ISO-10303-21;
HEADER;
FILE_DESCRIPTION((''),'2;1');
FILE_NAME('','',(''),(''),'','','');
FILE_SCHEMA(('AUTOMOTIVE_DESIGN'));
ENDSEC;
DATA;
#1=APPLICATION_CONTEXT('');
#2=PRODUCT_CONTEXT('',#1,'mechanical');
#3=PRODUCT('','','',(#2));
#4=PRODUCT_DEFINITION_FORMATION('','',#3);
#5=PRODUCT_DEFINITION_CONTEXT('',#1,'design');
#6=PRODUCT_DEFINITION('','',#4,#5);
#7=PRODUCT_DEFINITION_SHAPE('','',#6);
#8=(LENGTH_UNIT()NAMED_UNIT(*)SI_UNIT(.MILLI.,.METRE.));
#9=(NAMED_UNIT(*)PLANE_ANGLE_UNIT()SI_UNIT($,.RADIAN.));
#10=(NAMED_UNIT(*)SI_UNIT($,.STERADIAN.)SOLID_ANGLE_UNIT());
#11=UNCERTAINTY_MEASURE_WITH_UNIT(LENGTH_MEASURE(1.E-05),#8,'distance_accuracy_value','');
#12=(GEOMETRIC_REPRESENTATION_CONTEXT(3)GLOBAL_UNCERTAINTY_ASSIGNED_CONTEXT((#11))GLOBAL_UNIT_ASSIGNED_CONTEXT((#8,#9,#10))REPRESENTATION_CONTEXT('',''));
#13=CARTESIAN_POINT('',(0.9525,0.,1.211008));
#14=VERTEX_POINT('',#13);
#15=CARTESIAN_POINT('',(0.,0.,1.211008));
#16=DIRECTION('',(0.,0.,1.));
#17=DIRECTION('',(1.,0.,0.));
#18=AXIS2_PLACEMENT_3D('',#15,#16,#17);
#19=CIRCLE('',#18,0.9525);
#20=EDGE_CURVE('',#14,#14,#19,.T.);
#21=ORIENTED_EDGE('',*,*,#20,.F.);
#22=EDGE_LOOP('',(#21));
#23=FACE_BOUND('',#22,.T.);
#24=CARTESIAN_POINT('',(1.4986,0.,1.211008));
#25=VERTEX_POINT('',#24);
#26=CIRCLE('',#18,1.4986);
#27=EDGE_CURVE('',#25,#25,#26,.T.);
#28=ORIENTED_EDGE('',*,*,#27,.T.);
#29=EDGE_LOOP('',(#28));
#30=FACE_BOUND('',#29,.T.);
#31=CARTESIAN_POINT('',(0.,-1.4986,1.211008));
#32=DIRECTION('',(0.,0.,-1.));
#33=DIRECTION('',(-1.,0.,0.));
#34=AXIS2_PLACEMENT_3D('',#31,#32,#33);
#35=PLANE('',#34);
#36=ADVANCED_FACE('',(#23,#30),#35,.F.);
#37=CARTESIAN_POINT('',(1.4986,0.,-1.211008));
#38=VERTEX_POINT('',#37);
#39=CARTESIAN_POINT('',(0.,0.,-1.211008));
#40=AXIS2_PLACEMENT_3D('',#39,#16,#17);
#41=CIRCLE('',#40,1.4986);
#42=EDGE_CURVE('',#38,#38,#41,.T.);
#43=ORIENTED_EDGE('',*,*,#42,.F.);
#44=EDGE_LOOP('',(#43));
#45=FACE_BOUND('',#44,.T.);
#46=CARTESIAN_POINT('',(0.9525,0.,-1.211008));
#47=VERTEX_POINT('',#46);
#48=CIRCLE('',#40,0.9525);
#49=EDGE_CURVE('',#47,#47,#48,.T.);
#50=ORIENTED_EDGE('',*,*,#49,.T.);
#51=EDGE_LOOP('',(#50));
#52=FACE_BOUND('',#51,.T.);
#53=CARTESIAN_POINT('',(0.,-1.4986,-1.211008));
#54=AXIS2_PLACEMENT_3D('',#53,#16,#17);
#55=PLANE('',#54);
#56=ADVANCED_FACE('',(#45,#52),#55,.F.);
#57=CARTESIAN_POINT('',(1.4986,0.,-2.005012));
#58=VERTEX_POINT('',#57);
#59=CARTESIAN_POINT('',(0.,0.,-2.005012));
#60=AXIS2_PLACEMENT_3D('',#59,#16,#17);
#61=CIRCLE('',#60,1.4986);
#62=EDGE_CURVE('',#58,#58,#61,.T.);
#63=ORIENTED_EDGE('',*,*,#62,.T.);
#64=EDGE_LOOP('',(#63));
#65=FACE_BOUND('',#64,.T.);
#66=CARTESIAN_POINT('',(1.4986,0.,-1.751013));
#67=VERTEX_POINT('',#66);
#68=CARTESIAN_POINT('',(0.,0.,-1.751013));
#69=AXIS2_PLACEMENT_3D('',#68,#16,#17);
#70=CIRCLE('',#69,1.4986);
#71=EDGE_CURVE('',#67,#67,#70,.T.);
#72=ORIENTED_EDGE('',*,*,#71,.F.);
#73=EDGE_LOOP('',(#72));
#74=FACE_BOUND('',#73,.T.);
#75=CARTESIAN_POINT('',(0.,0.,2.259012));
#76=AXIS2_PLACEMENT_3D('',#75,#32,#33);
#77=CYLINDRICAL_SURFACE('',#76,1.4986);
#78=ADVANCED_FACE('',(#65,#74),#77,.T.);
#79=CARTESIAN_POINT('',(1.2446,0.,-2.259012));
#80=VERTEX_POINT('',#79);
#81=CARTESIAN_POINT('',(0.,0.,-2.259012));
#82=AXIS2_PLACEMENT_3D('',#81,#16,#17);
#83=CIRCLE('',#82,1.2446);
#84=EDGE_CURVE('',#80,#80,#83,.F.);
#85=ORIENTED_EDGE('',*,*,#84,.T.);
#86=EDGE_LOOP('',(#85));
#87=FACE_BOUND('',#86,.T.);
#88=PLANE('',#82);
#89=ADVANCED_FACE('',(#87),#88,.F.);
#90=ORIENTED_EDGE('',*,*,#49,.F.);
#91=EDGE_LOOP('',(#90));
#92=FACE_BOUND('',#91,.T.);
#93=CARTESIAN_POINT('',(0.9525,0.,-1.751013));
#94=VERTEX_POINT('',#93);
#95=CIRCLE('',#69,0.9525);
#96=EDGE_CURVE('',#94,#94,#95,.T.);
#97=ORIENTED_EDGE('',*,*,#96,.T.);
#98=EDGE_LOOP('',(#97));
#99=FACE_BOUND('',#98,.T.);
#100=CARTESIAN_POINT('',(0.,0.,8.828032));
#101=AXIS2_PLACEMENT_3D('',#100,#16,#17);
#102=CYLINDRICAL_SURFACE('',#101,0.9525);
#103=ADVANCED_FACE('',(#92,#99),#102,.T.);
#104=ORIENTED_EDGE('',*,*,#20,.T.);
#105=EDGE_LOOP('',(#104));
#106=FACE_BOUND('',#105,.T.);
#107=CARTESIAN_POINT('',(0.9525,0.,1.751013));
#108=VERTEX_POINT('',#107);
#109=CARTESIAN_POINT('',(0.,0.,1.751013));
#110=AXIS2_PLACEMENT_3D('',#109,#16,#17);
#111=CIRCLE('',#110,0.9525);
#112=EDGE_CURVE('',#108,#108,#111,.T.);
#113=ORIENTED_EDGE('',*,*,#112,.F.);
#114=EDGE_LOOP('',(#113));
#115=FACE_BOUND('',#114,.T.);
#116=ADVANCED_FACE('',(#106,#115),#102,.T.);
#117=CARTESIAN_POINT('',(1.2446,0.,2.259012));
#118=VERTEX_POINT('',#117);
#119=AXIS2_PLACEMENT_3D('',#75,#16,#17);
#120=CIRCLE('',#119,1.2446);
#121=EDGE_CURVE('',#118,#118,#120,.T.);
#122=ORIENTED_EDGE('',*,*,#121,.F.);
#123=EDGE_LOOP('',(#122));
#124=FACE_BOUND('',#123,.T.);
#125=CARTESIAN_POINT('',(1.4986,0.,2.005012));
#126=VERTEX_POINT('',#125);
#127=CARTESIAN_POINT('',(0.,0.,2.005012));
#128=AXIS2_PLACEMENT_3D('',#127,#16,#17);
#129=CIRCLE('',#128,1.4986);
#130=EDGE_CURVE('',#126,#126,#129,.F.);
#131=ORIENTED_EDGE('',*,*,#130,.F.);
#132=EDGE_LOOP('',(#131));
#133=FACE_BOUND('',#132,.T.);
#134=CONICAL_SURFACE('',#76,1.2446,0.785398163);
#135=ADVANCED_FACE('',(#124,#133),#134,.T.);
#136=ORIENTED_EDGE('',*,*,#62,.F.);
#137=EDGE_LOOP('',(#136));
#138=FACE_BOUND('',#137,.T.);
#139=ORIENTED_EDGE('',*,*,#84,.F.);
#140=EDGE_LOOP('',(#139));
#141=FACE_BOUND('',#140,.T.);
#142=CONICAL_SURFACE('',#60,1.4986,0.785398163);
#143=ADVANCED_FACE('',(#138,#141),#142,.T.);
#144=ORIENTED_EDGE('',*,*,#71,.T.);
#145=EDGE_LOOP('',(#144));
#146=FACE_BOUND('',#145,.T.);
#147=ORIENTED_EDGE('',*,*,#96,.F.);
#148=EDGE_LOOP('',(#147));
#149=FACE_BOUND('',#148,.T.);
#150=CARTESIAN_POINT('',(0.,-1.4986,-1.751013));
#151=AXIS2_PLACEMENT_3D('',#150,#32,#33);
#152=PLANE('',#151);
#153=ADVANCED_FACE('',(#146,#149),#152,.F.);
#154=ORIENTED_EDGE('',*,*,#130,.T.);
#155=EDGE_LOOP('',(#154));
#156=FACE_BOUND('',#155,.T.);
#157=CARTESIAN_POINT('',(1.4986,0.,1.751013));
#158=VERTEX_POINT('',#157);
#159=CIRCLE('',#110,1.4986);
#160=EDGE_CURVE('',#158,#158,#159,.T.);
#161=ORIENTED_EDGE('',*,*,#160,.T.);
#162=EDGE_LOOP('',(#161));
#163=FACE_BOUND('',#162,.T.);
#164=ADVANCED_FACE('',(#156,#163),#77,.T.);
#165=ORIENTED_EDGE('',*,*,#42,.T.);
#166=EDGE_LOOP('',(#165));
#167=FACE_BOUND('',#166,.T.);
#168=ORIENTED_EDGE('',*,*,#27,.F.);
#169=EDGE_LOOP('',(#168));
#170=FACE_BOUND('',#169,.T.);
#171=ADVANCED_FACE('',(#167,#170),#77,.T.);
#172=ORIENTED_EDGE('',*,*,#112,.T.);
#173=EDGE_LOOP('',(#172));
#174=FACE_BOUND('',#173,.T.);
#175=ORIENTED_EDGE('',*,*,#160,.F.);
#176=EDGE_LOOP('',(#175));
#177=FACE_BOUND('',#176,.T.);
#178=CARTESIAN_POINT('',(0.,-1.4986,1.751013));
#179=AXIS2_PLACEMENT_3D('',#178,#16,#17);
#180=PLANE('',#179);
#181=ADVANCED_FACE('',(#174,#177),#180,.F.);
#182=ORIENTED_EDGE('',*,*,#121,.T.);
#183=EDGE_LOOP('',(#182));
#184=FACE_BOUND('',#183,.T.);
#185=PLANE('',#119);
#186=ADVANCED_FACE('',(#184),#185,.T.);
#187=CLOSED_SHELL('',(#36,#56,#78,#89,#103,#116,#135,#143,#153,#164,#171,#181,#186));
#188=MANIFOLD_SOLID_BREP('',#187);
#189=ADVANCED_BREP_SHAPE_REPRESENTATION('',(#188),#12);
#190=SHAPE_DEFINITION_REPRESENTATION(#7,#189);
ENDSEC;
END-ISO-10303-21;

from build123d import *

# Parameters (mm, degrees)
SKETCH1_R           = 1.4986
BOSS_EXTRUDE1_DEPTH = 2.2590125
SKETCH2_W           = 0.540004
SKETCH2_H           = 0.5461
CHAMFER1_SIZE       = 0.254


with BuildPart() as part:
    # Sketch1 → Boss-Extrude1 (new body, symmetric)
    with BuildSketch(Plane.XY):
        Circle(SKETCH1_R)
    extrude(amount=BOSS_EXTRUDE1_DEPTH, both=True)

    # Sketch2 → Cut-Revolve1 (revolve, cut)
    with BuildSketch(Plane(origin=(0, 0, 0), x_dir=(0, 0, -1), z_dir=(1, 0, 0))):
        with Locations((-1.4810105, -1.22555)):
            Rectangle(SKETCH2_W, SKETCH2_H)
        with Locations((1.4810105, -1.22555)):
            Rectangle(SKETCH2_W, SKETCH2_H)
    revolve(axis=Axis((0, 0, 8.828032455), (0, 0, -1)), mode=Mode.SUBTRACT)

    # Chamfer1
    chamfer1_edges = [part.edges().sort_by_distance(p)[0] for p in [
        (-1.4986, 0, -2.2590125),
        (-1.4986, 0, 2.2590125),
    ]]
    chamfer(chamfer1_edges, length=CHAMFER1_SIZE)


solid = part.part
